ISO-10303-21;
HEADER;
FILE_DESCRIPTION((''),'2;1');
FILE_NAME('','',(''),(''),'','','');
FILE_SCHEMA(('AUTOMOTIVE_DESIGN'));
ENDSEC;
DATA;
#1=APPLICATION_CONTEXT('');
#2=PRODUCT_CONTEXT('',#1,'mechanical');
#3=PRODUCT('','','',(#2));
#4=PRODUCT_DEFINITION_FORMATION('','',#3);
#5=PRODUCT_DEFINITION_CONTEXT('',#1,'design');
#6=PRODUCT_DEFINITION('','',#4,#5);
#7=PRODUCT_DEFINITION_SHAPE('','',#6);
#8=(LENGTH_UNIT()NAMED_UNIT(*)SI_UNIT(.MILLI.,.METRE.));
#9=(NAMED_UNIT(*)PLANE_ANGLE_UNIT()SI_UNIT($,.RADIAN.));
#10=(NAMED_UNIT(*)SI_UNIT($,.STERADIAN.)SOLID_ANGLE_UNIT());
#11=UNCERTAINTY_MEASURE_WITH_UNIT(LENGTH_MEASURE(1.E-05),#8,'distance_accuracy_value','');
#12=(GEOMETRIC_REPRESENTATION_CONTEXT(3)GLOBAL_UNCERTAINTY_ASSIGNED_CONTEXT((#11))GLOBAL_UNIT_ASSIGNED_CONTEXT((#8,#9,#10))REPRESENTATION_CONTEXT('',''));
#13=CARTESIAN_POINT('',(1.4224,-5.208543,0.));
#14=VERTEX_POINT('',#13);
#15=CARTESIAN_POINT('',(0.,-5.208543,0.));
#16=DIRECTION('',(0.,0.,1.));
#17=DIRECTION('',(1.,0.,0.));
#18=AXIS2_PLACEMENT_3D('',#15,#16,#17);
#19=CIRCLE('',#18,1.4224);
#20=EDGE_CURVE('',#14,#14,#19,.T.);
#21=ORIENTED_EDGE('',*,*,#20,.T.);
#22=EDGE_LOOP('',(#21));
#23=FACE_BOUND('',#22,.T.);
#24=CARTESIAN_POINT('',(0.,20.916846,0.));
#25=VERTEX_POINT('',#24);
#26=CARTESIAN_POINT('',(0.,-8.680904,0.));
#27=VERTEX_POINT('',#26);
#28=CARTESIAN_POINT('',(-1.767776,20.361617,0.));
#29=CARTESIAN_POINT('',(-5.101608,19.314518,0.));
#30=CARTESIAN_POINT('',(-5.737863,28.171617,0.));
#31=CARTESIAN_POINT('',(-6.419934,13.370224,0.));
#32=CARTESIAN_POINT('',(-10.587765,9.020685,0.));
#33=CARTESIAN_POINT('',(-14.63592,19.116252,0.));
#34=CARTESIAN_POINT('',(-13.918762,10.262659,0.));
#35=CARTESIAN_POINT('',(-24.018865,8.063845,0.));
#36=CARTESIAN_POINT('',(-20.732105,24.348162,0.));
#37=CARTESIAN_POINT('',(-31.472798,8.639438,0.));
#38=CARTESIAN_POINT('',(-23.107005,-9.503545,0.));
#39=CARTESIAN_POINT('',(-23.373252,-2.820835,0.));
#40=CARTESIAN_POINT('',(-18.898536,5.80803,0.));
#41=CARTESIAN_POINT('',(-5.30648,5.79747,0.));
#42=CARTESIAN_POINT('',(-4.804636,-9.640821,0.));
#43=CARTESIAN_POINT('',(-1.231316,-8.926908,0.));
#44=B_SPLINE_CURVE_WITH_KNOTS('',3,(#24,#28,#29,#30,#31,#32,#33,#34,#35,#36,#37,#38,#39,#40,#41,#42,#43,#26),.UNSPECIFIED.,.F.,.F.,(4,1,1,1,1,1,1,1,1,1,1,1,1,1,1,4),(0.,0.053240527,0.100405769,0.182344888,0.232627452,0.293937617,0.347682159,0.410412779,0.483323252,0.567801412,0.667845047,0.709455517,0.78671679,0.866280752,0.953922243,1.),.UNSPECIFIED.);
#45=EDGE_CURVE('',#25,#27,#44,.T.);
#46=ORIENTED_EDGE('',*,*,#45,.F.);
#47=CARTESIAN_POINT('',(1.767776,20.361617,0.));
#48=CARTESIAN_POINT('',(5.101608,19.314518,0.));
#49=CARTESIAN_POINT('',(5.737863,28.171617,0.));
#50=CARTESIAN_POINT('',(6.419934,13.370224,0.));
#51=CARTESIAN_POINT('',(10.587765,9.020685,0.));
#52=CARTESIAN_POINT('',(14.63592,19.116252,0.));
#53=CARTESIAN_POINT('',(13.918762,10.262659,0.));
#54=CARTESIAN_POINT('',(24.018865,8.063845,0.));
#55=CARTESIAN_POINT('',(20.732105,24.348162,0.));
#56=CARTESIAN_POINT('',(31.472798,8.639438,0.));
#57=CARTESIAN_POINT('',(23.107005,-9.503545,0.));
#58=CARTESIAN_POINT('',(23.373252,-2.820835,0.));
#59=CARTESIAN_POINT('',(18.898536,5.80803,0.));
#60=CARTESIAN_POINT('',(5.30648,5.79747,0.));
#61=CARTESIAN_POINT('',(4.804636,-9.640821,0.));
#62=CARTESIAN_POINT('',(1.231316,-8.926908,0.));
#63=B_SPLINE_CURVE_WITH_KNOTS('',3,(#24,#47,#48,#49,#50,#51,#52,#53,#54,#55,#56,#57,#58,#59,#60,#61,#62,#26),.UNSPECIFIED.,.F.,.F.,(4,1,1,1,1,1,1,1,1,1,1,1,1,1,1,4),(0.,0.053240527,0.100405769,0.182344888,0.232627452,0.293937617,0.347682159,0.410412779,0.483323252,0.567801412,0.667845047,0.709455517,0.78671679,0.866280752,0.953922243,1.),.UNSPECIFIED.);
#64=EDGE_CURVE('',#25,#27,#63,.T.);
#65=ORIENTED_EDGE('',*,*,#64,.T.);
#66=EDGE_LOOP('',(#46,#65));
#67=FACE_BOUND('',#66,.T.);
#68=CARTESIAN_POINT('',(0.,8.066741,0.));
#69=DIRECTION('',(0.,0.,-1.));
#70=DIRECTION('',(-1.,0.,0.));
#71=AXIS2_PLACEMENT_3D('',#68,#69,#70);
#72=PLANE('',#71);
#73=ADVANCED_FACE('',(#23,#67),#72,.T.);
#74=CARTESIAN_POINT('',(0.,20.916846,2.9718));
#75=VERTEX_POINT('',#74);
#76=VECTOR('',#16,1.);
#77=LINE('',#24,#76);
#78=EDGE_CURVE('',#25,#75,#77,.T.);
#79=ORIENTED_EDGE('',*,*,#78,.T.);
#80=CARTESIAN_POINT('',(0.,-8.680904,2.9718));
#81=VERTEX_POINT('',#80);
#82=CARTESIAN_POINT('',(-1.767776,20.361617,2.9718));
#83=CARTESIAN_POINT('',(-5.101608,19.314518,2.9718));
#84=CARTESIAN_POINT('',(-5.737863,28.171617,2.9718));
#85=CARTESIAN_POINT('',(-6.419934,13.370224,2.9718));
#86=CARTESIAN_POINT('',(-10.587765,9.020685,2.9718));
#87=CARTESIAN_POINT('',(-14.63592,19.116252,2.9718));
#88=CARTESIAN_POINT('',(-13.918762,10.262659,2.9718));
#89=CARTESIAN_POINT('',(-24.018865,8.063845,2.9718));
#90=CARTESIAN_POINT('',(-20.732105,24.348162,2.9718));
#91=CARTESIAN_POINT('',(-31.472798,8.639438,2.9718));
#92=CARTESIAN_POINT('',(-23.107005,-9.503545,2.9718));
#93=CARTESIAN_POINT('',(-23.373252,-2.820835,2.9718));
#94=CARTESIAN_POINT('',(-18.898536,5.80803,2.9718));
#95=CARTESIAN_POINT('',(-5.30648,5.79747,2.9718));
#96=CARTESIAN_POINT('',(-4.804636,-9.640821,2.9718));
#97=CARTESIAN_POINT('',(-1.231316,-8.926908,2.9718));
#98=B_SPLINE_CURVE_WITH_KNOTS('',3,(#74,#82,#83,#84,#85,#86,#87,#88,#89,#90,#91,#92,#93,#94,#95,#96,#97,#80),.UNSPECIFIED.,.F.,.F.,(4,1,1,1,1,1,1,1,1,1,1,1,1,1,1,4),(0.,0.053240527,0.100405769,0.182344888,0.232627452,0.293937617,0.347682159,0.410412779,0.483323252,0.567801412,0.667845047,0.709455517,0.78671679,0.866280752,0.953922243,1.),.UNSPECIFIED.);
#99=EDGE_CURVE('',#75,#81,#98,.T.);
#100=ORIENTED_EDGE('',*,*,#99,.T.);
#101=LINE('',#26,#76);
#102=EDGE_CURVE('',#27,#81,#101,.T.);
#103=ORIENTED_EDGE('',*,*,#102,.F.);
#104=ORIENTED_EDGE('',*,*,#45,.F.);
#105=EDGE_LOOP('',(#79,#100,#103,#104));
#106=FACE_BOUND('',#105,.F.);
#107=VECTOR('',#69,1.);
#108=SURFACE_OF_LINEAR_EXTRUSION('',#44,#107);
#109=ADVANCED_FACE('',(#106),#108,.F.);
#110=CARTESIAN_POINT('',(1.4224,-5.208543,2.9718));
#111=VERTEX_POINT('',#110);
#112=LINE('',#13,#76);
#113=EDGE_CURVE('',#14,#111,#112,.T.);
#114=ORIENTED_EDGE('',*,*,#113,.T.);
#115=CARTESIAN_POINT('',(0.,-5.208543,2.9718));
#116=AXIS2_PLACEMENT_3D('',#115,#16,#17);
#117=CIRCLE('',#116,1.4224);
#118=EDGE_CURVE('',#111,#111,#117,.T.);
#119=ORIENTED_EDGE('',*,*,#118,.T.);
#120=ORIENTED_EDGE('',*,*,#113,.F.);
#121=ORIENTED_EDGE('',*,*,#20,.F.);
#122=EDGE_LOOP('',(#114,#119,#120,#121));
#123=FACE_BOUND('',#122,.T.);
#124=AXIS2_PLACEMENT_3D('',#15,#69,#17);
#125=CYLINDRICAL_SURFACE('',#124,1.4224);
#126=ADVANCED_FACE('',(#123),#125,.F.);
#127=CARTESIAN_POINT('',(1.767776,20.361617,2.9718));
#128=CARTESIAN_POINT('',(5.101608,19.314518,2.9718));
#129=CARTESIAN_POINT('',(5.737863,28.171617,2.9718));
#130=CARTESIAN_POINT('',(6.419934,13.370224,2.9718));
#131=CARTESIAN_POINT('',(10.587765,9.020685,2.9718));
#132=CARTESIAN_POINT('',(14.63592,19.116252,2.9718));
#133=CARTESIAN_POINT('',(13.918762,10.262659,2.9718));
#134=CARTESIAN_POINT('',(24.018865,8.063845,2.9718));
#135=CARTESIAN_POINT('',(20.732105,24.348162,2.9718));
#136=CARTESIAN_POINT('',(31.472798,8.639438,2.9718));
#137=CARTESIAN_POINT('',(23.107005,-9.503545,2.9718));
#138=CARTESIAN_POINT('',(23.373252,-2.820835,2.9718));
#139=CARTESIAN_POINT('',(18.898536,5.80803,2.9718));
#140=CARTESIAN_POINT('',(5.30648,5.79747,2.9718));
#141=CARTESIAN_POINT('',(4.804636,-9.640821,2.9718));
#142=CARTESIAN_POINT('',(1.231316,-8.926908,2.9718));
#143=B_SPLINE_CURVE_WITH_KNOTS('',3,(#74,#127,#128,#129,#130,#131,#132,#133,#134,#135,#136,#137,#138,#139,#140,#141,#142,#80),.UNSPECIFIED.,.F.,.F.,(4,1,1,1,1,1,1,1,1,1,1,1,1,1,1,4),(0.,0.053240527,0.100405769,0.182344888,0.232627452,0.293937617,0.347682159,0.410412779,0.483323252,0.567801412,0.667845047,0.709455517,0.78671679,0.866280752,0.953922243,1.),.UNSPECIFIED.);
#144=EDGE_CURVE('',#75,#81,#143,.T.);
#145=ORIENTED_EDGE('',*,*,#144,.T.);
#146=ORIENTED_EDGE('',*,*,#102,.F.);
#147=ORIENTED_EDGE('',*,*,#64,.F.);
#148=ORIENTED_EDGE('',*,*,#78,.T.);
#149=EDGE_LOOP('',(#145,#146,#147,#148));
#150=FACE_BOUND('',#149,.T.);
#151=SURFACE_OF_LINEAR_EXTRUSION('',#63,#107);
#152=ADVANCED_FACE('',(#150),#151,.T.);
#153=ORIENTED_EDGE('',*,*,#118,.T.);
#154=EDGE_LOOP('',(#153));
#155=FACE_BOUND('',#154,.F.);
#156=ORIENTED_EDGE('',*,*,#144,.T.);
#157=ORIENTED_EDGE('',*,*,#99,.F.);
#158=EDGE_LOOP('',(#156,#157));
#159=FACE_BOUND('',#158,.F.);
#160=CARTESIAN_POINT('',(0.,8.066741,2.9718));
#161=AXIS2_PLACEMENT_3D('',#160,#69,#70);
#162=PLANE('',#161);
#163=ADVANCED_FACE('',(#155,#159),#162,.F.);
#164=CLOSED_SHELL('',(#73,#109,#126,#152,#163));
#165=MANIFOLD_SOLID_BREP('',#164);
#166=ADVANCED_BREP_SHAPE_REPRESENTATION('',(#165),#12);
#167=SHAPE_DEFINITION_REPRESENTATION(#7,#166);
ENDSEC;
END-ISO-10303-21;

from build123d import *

# Parameters (mm, degrees)
F0_R     = 1.4224
F1_DEPTH = 2.9718


with BuildPart() as f1:
    # F0 (on Top) → F1 (new body)
    with BuildSketch(Plane.XY):
        with BuildLine():
            add(Edge.make_bspline(
                [(0, 20.9168457145), (1.7677763364, 20.3616174487), (5.1016077597, 19.314518106), (5.7378633514, 28.1716167254), (6.4199341333, 13.3702242439), (10.5877650774, 9.0206853602), (14.6359200443, 19.1162524893), (13.9187618913, 10.2626591165), (24.0188648131, 8.0638452517), (20.7321051843, 24.3481624947), (31.4727977079, 8.639438014), (23.1070054072, -9.503545093), (23.3732523257, -2.8208347073), (18.8985356085, 5.8080301755), (5.3064795625, 5.7974703029), (4.8046358656, -9.640821266), (1.2313155321, -8.9269080603), (0, -8.68090369)],
                knots=[0, 0, 0, 0, 0.0532405273, 0.1004057692, 0.1823448878, 0.2326274524, 0.2939376172, 0.3476821586, 0.4104127786, 0.4833232523, 0.5678014119, 0.667845047, 0.7094555172, 0.7867167898, 0.8662807519, 0.9539222427, 1, 1, 1, 1], degree=3))
            add(Edge.make_bspline(
                [(0, 20.9168457145), (-1.7677763364, 20.3616174487), (-5.1016077597, 19.314518106), (-5.7378633514, 28.1716167254), (-6.4199341333, 13.3702242439), (-10.5877650774, 9.0206853602), (-14.6359200443, 19.1162524893), (-13.9187618913, 10.2626591165), (-24.0188648131, 8.0638452517), (-20.7321051843, 24.3481624947), (-31.4727977079, 8.639438014), (-23.1070054072, -9.503545093), (-23.3732523257, -2.8208347073), (-18.8985356085, 5.8080301755), (-5.3064795625, 5.7974703029), (-4.8046358656, -9.640821266), (-1.2313155321, -8.9269080603), (0, -8.68090369)],
                knots=[0, 0, 0, 0, 0.0532405273, 0.1004057692, 0.1823448878, 0.2326274524, 0.2939376172, 0.3476821586, 0.4104127786, 0.4833232523, 0.5678014119, 0.667845047, 0.7094555172, 0.7867167898, 0.8662807519, 0.9539222427, 1, 1, 1, 1], degree=3))
        make_face()
        with Locations((0, -5.2085425537)):
            Circle(F0_R, mode=Mode.SUBTRACT)
    extrude(amount=F1_DEPTH)


solid = f1.part
